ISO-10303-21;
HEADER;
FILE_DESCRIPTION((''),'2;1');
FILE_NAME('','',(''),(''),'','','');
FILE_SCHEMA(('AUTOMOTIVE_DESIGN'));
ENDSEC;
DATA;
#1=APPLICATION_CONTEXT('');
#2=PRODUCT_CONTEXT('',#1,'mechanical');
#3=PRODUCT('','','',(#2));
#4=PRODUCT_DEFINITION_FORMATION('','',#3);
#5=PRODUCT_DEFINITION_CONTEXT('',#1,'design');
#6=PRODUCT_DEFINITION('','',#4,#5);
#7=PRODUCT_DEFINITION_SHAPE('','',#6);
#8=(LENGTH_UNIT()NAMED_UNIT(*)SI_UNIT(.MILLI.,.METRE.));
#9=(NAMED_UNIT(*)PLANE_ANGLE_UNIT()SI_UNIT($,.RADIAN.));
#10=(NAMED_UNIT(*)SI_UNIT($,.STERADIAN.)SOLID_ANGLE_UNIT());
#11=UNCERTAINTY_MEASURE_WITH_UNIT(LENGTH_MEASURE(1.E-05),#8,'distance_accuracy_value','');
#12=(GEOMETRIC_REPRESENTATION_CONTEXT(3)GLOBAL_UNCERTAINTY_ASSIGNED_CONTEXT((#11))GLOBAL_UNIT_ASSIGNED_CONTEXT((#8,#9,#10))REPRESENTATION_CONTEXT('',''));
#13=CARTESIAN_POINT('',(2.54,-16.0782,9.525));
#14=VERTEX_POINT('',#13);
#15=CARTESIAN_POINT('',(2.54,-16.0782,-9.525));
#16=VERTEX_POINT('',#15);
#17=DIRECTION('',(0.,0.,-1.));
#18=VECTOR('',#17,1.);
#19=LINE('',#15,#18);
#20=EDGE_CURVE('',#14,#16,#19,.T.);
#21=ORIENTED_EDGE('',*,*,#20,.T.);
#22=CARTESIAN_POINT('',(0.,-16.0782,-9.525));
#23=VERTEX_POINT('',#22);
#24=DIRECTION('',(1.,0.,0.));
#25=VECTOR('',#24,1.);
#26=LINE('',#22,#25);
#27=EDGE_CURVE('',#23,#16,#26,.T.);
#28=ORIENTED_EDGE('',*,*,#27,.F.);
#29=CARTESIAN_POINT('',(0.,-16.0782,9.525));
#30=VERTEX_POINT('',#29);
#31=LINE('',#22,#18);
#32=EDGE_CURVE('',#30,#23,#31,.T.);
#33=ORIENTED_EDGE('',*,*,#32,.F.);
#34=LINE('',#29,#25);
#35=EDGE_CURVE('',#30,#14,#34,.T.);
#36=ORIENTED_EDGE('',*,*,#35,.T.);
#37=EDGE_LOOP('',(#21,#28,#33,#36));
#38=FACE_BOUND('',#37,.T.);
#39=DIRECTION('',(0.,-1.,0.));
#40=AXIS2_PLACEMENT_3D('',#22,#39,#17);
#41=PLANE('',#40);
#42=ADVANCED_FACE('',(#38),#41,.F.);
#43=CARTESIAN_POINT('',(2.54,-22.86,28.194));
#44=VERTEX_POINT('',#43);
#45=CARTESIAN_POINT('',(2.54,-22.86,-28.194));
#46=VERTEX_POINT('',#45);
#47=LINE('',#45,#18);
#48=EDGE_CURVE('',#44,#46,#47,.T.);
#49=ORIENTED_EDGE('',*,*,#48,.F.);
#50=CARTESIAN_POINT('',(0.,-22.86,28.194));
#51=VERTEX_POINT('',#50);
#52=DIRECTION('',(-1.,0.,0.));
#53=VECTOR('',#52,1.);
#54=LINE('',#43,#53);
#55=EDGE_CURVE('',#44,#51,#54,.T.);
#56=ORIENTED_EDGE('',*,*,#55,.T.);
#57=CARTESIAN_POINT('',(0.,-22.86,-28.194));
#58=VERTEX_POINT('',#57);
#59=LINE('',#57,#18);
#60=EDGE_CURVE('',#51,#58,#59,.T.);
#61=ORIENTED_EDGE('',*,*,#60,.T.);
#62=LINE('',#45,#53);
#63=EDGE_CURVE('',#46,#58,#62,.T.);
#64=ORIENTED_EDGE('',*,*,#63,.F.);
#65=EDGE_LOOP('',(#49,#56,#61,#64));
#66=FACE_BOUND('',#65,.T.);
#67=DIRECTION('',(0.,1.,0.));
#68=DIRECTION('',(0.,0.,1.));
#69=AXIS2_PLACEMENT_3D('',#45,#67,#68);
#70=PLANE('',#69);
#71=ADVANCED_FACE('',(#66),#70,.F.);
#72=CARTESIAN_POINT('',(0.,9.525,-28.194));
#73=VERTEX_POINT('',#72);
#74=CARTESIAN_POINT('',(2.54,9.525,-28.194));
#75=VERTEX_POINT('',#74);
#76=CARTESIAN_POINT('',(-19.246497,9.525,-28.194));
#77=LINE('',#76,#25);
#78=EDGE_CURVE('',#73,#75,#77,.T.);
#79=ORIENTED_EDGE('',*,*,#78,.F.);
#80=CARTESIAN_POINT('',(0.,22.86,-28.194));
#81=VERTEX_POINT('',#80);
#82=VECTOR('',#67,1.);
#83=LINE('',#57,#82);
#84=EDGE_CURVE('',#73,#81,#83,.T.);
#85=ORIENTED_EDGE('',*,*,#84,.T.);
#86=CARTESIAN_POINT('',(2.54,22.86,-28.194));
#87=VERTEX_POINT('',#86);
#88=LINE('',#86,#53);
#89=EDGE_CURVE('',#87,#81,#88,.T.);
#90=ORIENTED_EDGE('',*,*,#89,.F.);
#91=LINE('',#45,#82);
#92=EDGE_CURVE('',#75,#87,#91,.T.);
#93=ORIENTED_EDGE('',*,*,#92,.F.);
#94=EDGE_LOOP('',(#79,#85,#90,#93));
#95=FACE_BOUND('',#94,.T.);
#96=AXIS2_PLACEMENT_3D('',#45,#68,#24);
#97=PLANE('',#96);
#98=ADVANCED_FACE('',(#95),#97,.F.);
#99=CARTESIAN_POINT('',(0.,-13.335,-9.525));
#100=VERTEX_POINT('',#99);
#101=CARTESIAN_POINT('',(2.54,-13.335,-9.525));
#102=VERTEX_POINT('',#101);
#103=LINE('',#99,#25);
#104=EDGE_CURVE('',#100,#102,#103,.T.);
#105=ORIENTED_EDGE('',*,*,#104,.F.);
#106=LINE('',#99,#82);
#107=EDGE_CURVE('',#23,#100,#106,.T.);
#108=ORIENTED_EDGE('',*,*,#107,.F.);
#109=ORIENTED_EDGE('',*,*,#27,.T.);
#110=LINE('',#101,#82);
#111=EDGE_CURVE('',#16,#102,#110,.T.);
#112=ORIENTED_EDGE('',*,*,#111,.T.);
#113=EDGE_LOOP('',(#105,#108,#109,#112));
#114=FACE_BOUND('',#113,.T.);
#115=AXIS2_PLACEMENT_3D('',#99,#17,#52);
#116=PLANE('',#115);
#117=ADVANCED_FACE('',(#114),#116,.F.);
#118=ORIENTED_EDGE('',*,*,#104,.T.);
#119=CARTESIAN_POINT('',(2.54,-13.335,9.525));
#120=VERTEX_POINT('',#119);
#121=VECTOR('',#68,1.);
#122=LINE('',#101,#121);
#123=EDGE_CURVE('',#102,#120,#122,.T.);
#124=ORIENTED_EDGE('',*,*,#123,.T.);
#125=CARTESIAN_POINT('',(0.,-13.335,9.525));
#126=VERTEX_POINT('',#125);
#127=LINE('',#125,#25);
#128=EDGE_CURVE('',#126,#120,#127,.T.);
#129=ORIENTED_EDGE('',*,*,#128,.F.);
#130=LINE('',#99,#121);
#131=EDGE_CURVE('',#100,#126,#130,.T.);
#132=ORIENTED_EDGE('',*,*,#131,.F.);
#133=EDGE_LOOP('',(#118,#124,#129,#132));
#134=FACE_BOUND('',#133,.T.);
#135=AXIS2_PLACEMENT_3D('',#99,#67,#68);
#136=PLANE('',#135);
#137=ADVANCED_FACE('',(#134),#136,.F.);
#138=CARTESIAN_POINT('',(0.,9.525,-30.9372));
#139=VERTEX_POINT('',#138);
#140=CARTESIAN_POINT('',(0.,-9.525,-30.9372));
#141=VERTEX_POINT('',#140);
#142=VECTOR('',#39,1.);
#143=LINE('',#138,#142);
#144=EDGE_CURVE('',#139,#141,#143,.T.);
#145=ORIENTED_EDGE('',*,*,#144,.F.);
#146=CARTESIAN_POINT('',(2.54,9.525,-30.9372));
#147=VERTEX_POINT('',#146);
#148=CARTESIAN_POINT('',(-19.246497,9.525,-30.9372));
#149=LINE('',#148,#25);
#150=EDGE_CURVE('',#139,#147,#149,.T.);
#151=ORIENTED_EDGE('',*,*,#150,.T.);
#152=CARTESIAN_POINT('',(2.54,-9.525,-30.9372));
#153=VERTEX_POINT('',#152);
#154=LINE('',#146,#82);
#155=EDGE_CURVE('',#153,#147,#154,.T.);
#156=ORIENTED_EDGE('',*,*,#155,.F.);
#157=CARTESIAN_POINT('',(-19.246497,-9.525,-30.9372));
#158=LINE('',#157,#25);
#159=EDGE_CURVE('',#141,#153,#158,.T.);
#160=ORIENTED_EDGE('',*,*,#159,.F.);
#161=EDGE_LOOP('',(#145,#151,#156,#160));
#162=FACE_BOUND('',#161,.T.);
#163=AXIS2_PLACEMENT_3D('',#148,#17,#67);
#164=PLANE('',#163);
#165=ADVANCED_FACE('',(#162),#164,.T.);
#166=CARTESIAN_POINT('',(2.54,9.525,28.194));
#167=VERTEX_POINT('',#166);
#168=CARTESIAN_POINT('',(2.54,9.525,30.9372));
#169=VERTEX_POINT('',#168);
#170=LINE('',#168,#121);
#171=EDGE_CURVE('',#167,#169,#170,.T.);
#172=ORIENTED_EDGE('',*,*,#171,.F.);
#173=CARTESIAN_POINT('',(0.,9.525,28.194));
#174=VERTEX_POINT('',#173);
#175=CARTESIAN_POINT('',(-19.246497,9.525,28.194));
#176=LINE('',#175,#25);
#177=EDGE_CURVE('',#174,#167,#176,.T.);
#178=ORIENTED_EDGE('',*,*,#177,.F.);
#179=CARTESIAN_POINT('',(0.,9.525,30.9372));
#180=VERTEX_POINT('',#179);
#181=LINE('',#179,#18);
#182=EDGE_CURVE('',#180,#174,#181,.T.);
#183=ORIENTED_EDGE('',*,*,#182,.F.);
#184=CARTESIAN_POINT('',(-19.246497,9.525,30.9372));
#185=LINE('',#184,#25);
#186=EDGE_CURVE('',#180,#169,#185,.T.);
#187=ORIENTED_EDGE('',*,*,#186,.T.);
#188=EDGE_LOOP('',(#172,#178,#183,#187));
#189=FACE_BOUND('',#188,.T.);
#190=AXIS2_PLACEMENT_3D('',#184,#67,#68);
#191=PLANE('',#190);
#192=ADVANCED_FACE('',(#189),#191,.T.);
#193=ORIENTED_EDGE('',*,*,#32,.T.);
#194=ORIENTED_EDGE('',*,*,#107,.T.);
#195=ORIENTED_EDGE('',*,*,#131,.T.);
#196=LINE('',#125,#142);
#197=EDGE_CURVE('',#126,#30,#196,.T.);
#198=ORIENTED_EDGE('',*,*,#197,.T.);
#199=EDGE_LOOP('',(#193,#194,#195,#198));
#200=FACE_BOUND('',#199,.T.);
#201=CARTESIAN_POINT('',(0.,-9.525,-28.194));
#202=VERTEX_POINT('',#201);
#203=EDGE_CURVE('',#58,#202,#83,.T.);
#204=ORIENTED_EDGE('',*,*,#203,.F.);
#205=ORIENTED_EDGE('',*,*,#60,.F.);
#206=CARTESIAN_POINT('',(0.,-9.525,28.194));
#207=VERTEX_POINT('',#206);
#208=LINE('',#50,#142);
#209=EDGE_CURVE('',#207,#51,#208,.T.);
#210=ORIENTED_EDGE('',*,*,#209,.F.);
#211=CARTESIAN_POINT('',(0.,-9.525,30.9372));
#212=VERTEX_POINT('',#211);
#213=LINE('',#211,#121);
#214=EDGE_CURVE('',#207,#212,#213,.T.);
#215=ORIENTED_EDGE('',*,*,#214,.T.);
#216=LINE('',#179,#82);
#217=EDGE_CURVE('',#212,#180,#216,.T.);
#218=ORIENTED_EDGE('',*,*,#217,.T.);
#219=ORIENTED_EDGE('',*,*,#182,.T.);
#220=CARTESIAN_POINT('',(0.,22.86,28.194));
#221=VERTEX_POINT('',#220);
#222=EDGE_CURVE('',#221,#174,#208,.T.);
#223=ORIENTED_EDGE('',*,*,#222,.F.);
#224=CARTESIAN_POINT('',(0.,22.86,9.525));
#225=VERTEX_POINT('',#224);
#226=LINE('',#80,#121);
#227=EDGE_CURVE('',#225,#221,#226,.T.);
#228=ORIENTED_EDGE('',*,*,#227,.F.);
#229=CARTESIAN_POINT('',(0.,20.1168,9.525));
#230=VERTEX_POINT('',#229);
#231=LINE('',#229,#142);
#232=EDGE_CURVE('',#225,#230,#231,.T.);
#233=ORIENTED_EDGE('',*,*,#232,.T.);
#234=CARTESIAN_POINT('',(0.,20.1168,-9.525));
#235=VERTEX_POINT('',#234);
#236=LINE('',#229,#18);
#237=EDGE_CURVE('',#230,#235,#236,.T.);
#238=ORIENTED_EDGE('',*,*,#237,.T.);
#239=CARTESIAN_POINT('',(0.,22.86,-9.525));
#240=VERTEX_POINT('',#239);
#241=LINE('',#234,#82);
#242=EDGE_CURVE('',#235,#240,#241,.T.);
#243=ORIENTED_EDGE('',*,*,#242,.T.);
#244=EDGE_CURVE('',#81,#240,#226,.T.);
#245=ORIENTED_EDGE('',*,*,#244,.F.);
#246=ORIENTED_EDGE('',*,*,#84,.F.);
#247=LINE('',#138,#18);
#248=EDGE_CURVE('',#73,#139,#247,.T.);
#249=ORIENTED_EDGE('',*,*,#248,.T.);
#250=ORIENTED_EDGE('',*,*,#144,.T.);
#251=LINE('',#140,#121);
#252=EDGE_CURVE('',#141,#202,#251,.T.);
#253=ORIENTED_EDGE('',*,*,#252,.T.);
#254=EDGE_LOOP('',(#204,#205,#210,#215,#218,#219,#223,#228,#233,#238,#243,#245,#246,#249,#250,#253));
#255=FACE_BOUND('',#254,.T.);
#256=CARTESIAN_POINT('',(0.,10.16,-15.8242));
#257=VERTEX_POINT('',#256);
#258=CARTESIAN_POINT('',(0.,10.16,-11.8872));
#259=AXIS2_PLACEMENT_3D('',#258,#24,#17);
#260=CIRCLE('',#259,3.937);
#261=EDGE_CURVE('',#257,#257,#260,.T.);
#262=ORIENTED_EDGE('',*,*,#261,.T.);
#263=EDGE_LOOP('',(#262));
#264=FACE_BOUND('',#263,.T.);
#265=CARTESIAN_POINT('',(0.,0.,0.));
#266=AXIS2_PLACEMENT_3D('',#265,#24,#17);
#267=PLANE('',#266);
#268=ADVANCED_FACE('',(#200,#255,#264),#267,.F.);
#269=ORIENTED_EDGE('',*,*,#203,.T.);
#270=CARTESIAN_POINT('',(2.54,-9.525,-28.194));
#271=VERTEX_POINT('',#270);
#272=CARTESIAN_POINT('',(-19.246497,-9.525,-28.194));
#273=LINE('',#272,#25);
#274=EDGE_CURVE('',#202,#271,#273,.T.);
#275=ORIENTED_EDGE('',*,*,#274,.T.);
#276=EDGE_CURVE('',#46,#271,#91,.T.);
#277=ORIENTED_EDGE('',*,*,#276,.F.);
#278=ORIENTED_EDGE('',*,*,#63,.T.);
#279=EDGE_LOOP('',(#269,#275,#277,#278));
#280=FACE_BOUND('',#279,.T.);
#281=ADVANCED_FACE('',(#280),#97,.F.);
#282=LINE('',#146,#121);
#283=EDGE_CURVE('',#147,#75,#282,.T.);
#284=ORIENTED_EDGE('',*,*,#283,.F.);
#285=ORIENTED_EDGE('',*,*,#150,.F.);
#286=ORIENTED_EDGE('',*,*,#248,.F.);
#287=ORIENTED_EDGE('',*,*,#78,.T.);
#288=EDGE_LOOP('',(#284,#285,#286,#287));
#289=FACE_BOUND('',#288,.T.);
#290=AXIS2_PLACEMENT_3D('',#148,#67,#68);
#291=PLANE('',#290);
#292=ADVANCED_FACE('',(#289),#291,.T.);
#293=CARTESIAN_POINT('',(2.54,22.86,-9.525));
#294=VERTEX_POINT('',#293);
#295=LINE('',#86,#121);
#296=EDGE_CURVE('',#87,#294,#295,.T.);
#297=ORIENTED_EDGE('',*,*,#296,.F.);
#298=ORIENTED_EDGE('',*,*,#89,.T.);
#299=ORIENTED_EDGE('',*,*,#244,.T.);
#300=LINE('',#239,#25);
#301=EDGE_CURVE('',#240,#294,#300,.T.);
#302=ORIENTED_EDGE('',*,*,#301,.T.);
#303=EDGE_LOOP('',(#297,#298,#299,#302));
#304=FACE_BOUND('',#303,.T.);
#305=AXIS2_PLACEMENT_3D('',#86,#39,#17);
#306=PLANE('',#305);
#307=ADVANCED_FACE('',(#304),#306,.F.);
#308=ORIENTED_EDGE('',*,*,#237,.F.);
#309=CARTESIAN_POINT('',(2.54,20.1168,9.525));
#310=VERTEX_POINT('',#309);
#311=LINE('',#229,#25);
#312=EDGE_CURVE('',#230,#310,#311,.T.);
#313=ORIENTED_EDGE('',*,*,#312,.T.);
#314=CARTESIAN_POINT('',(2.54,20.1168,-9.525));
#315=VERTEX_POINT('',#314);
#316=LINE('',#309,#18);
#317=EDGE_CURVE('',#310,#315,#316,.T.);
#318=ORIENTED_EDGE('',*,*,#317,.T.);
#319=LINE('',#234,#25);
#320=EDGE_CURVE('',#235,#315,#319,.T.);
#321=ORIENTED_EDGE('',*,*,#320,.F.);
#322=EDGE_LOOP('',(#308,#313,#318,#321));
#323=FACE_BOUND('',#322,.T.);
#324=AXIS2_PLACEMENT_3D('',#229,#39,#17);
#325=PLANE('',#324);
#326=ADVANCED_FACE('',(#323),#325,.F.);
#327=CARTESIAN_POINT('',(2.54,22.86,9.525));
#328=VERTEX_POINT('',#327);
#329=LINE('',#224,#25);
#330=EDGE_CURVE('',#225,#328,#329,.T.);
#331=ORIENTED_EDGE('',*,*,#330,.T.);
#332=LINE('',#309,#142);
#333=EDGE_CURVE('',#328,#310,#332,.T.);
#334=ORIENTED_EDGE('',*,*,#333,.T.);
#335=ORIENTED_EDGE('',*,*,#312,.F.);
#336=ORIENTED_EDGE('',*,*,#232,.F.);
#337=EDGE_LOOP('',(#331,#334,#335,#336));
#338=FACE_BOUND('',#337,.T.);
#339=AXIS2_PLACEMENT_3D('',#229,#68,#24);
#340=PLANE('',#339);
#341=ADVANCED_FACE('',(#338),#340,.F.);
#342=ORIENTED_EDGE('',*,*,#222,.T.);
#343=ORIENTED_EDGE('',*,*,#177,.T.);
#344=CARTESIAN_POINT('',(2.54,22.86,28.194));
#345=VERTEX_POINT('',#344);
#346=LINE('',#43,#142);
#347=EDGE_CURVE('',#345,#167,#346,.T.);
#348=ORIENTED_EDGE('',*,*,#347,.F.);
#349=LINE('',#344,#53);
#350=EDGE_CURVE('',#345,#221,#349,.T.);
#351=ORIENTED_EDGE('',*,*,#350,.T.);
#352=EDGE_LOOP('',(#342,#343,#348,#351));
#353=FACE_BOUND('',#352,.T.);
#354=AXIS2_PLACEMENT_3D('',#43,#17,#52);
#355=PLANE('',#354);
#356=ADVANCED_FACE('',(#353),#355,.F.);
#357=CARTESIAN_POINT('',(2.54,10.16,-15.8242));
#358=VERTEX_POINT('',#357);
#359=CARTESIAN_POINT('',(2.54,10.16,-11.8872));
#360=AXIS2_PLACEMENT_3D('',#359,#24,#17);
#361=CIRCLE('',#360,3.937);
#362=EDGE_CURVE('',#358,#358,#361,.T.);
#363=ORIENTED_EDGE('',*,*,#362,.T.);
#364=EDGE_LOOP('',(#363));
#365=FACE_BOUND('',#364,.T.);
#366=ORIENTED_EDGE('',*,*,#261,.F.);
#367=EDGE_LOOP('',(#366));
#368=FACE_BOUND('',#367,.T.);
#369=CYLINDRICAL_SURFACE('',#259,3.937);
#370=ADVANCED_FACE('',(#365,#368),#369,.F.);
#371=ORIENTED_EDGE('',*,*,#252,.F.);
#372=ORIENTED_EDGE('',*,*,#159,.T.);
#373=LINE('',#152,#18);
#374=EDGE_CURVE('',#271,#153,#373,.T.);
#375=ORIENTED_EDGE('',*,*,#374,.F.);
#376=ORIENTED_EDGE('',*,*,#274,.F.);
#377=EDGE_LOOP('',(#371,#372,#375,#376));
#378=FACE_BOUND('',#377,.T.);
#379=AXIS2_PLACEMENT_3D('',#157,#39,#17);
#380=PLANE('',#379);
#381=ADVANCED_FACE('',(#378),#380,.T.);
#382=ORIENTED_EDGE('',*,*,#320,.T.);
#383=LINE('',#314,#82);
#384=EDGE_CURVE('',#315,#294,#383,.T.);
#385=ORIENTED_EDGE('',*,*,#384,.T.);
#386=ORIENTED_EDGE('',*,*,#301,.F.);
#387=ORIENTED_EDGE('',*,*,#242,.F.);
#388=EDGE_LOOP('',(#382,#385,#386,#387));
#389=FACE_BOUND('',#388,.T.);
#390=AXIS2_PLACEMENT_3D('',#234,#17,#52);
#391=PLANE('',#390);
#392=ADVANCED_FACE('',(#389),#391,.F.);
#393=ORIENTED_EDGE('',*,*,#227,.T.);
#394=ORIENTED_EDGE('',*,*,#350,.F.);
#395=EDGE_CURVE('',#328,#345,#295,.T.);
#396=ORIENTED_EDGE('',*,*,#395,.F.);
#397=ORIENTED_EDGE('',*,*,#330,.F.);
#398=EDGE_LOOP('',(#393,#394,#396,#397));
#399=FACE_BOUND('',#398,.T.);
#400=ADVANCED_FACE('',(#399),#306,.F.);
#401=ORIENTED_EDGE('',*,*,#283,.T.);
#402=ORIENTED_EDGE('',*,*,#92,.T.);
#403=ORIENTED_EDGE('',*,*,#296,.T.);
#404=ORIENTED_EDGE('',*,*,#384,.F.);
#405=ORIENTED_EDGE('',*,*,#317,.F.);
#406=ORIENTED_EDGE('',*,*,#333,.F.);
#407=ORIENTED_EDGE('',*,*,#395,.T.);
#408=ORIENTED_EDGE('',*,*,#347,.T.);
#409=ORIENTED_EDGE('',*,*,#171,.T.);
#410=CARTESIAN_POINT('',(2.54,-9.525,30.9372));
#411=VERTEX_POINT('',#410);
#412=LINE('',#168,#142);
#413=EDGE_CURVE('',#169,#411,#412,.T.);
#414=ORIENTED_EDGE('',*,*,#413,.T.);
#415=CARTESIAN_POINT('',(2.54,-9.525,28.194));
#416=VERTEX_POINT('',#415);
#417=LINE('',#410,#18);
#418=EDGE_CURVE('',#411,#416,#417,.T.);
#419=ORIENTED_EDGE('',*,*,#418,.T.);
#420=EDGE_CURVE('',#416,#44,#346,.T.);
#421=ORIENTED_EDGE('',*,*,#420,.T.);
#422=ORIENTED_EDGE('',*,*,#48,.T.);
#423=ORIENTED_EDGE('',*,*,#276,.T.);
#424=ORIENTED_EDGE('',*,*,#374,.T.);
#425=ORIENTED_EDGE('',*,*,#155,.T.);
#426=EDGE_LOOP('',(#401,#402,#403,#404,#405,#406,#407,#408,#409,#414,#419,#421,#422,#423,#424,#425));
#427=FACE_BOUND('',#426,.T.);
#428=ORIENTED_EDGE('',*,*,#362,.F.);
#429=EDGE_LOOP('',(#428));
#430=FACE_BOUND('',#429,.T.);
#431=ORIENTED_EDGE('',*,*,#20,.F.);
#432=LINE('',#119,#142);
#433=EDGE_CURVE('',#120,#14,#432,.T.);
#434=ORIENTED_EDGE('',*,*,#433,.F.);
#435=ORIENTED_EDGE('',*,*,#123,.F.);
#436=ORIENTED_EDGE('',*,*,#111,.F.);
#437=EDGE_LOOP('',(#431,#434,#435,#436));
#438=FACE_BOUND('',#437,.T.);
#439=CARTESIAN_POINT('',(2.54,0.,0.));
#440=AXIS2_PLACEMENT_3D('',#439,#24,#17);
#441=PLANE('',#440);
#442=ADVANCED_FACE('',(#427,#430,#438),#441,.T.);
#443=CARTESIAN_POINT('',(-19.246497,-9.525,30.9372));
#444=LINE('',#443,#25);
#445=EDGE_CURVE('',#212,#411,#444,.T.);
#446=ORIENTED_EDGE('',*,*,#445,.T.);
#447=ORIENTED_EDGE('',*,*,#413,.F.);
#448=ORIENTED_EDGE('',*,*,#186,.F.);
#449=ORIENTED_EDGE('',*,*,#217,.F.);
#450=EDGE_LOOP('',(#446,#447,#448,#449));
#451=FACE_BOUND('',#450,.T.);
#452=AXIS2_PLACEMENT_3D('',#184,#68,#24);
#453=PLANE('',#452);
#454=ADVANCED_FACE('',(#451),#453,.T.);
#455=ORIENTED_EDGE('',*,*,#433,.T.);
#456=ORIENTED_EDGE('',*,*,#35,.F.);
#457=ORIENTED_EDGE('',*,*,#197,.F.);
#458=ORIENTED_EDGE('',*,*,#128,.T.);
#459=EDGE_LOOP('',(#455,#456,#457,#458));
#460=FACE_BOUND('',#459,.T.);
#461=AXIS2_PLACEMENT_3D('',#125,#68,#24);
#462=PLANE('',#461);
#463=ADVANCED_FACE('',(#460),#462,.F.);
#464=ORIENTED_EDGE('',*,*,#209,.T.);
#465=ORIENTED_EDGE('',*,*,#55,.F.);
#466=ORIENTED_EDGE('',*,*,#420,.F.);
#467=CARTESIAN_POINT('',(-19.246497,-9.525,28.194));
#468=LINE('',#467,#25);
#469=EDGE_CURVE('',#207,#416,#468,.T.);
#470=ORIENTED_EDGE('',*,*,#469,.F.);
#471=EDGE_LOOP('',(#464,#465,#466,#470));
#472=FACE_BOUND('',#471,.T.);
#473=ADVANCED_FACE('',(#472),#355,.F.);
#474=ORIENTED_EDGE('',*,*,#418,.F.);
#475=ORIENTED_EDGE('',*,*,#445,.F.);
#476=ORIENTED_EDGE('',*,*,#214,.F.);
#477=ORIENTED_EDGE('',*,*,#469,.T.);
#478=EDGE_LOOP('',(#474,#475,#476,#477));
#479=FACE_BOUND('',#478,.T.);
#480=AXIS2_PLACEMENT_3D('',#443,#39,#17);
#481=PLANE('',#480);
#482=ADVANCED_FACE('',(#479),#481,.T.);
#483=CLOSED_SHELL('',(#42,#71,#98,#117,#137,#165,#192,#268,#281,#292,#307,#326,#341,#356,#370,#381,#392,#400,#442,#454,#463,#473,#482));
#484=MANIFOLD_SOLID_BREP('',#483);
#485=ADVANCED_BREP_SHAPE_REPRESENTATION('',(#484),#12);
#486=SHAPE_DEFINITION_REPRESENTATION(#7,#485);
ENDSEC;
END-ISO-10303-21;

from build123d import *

# Parameters (mm, degrees)
SKETCH1_W           = 56.388
SKETCH1_H           = 45.72
BOSS_EXTRUDE1_DEPTH = 2.54
SKETCH2_W           = 2.7432
SKETCH2_H           = 19.05
BOSS_EXTRUDE2_DEPTH = 2.54
SKETCH3_W           = 19.05
SKETCH3_H           = 2.7432
CUT_EXTRUDE1_DEPTH  = 3.54
SKETCH4_R           = 3.937
CUT_EXTRUDE2_DEPTH  = 3.54


with BuildPart() as part:
    # Sketch1 → Boss-Extrude1 (new body)
    with BuildSketch(Plane(origin=(0, 0, 0), x_dir=(0, 0, -1), z_dir=(1, 0, 0))):
        Rectangle(SKETCH1_W, SKETCH1_H)
    extrude(amount=BOSS_EXTRUDE1_DEPTH)

    # Sketch2 → Boss-Extrude2 (add)
    with BuildSketch(Plane(origin=(2.54, 0, 0), x_dir=(0, 0, -1), z_dir=(1, 0, 0))):
        with Locations((-29.5656, 0)):
            Rectangle(SKETCH2_W, SKETCH2_H)
        with Locations((29.5656, 0)):
            Rectangle(SKETCH2_W, SKETCH2_H)
    extrude(amount=-BOSS_EXTRUDE2_DEPTH)

    # Sketch3 → Cut-Extrude1 (cut, through all)
    with BuildSketch(Plane(origin=(2.54, 0, 0), x_dir=(0, 0, -1), z_dir=(1, 0, 0))):
        with Locations((0, 21.4884)):
            Rectangle(SKETCH3_W, SKETCH3_H)
        with Locations((0, -14.7066)):
            Rectangle(SKETCH3_W, SKETCH3_H)
    extrude(amount=-CUT_EXTRUDE1_DEPTH, mode=Mode.SUBTRACT)

    # Sketch4 → Cut-Extrude2 (cut, through all)
    with BuildSketch(Plane(origin=(2.54, 0, 0), x_dir=(0, 0, -1), z_dir=(1, 0, 0))):
        with Locations((11.8872, 10.16)):
            Circle(SKETCH4_R)
    extrude(amount=-CUT_EXTRUDE2_DEPTH, mode=Mode.SUBTRACT)


solid = part.part
